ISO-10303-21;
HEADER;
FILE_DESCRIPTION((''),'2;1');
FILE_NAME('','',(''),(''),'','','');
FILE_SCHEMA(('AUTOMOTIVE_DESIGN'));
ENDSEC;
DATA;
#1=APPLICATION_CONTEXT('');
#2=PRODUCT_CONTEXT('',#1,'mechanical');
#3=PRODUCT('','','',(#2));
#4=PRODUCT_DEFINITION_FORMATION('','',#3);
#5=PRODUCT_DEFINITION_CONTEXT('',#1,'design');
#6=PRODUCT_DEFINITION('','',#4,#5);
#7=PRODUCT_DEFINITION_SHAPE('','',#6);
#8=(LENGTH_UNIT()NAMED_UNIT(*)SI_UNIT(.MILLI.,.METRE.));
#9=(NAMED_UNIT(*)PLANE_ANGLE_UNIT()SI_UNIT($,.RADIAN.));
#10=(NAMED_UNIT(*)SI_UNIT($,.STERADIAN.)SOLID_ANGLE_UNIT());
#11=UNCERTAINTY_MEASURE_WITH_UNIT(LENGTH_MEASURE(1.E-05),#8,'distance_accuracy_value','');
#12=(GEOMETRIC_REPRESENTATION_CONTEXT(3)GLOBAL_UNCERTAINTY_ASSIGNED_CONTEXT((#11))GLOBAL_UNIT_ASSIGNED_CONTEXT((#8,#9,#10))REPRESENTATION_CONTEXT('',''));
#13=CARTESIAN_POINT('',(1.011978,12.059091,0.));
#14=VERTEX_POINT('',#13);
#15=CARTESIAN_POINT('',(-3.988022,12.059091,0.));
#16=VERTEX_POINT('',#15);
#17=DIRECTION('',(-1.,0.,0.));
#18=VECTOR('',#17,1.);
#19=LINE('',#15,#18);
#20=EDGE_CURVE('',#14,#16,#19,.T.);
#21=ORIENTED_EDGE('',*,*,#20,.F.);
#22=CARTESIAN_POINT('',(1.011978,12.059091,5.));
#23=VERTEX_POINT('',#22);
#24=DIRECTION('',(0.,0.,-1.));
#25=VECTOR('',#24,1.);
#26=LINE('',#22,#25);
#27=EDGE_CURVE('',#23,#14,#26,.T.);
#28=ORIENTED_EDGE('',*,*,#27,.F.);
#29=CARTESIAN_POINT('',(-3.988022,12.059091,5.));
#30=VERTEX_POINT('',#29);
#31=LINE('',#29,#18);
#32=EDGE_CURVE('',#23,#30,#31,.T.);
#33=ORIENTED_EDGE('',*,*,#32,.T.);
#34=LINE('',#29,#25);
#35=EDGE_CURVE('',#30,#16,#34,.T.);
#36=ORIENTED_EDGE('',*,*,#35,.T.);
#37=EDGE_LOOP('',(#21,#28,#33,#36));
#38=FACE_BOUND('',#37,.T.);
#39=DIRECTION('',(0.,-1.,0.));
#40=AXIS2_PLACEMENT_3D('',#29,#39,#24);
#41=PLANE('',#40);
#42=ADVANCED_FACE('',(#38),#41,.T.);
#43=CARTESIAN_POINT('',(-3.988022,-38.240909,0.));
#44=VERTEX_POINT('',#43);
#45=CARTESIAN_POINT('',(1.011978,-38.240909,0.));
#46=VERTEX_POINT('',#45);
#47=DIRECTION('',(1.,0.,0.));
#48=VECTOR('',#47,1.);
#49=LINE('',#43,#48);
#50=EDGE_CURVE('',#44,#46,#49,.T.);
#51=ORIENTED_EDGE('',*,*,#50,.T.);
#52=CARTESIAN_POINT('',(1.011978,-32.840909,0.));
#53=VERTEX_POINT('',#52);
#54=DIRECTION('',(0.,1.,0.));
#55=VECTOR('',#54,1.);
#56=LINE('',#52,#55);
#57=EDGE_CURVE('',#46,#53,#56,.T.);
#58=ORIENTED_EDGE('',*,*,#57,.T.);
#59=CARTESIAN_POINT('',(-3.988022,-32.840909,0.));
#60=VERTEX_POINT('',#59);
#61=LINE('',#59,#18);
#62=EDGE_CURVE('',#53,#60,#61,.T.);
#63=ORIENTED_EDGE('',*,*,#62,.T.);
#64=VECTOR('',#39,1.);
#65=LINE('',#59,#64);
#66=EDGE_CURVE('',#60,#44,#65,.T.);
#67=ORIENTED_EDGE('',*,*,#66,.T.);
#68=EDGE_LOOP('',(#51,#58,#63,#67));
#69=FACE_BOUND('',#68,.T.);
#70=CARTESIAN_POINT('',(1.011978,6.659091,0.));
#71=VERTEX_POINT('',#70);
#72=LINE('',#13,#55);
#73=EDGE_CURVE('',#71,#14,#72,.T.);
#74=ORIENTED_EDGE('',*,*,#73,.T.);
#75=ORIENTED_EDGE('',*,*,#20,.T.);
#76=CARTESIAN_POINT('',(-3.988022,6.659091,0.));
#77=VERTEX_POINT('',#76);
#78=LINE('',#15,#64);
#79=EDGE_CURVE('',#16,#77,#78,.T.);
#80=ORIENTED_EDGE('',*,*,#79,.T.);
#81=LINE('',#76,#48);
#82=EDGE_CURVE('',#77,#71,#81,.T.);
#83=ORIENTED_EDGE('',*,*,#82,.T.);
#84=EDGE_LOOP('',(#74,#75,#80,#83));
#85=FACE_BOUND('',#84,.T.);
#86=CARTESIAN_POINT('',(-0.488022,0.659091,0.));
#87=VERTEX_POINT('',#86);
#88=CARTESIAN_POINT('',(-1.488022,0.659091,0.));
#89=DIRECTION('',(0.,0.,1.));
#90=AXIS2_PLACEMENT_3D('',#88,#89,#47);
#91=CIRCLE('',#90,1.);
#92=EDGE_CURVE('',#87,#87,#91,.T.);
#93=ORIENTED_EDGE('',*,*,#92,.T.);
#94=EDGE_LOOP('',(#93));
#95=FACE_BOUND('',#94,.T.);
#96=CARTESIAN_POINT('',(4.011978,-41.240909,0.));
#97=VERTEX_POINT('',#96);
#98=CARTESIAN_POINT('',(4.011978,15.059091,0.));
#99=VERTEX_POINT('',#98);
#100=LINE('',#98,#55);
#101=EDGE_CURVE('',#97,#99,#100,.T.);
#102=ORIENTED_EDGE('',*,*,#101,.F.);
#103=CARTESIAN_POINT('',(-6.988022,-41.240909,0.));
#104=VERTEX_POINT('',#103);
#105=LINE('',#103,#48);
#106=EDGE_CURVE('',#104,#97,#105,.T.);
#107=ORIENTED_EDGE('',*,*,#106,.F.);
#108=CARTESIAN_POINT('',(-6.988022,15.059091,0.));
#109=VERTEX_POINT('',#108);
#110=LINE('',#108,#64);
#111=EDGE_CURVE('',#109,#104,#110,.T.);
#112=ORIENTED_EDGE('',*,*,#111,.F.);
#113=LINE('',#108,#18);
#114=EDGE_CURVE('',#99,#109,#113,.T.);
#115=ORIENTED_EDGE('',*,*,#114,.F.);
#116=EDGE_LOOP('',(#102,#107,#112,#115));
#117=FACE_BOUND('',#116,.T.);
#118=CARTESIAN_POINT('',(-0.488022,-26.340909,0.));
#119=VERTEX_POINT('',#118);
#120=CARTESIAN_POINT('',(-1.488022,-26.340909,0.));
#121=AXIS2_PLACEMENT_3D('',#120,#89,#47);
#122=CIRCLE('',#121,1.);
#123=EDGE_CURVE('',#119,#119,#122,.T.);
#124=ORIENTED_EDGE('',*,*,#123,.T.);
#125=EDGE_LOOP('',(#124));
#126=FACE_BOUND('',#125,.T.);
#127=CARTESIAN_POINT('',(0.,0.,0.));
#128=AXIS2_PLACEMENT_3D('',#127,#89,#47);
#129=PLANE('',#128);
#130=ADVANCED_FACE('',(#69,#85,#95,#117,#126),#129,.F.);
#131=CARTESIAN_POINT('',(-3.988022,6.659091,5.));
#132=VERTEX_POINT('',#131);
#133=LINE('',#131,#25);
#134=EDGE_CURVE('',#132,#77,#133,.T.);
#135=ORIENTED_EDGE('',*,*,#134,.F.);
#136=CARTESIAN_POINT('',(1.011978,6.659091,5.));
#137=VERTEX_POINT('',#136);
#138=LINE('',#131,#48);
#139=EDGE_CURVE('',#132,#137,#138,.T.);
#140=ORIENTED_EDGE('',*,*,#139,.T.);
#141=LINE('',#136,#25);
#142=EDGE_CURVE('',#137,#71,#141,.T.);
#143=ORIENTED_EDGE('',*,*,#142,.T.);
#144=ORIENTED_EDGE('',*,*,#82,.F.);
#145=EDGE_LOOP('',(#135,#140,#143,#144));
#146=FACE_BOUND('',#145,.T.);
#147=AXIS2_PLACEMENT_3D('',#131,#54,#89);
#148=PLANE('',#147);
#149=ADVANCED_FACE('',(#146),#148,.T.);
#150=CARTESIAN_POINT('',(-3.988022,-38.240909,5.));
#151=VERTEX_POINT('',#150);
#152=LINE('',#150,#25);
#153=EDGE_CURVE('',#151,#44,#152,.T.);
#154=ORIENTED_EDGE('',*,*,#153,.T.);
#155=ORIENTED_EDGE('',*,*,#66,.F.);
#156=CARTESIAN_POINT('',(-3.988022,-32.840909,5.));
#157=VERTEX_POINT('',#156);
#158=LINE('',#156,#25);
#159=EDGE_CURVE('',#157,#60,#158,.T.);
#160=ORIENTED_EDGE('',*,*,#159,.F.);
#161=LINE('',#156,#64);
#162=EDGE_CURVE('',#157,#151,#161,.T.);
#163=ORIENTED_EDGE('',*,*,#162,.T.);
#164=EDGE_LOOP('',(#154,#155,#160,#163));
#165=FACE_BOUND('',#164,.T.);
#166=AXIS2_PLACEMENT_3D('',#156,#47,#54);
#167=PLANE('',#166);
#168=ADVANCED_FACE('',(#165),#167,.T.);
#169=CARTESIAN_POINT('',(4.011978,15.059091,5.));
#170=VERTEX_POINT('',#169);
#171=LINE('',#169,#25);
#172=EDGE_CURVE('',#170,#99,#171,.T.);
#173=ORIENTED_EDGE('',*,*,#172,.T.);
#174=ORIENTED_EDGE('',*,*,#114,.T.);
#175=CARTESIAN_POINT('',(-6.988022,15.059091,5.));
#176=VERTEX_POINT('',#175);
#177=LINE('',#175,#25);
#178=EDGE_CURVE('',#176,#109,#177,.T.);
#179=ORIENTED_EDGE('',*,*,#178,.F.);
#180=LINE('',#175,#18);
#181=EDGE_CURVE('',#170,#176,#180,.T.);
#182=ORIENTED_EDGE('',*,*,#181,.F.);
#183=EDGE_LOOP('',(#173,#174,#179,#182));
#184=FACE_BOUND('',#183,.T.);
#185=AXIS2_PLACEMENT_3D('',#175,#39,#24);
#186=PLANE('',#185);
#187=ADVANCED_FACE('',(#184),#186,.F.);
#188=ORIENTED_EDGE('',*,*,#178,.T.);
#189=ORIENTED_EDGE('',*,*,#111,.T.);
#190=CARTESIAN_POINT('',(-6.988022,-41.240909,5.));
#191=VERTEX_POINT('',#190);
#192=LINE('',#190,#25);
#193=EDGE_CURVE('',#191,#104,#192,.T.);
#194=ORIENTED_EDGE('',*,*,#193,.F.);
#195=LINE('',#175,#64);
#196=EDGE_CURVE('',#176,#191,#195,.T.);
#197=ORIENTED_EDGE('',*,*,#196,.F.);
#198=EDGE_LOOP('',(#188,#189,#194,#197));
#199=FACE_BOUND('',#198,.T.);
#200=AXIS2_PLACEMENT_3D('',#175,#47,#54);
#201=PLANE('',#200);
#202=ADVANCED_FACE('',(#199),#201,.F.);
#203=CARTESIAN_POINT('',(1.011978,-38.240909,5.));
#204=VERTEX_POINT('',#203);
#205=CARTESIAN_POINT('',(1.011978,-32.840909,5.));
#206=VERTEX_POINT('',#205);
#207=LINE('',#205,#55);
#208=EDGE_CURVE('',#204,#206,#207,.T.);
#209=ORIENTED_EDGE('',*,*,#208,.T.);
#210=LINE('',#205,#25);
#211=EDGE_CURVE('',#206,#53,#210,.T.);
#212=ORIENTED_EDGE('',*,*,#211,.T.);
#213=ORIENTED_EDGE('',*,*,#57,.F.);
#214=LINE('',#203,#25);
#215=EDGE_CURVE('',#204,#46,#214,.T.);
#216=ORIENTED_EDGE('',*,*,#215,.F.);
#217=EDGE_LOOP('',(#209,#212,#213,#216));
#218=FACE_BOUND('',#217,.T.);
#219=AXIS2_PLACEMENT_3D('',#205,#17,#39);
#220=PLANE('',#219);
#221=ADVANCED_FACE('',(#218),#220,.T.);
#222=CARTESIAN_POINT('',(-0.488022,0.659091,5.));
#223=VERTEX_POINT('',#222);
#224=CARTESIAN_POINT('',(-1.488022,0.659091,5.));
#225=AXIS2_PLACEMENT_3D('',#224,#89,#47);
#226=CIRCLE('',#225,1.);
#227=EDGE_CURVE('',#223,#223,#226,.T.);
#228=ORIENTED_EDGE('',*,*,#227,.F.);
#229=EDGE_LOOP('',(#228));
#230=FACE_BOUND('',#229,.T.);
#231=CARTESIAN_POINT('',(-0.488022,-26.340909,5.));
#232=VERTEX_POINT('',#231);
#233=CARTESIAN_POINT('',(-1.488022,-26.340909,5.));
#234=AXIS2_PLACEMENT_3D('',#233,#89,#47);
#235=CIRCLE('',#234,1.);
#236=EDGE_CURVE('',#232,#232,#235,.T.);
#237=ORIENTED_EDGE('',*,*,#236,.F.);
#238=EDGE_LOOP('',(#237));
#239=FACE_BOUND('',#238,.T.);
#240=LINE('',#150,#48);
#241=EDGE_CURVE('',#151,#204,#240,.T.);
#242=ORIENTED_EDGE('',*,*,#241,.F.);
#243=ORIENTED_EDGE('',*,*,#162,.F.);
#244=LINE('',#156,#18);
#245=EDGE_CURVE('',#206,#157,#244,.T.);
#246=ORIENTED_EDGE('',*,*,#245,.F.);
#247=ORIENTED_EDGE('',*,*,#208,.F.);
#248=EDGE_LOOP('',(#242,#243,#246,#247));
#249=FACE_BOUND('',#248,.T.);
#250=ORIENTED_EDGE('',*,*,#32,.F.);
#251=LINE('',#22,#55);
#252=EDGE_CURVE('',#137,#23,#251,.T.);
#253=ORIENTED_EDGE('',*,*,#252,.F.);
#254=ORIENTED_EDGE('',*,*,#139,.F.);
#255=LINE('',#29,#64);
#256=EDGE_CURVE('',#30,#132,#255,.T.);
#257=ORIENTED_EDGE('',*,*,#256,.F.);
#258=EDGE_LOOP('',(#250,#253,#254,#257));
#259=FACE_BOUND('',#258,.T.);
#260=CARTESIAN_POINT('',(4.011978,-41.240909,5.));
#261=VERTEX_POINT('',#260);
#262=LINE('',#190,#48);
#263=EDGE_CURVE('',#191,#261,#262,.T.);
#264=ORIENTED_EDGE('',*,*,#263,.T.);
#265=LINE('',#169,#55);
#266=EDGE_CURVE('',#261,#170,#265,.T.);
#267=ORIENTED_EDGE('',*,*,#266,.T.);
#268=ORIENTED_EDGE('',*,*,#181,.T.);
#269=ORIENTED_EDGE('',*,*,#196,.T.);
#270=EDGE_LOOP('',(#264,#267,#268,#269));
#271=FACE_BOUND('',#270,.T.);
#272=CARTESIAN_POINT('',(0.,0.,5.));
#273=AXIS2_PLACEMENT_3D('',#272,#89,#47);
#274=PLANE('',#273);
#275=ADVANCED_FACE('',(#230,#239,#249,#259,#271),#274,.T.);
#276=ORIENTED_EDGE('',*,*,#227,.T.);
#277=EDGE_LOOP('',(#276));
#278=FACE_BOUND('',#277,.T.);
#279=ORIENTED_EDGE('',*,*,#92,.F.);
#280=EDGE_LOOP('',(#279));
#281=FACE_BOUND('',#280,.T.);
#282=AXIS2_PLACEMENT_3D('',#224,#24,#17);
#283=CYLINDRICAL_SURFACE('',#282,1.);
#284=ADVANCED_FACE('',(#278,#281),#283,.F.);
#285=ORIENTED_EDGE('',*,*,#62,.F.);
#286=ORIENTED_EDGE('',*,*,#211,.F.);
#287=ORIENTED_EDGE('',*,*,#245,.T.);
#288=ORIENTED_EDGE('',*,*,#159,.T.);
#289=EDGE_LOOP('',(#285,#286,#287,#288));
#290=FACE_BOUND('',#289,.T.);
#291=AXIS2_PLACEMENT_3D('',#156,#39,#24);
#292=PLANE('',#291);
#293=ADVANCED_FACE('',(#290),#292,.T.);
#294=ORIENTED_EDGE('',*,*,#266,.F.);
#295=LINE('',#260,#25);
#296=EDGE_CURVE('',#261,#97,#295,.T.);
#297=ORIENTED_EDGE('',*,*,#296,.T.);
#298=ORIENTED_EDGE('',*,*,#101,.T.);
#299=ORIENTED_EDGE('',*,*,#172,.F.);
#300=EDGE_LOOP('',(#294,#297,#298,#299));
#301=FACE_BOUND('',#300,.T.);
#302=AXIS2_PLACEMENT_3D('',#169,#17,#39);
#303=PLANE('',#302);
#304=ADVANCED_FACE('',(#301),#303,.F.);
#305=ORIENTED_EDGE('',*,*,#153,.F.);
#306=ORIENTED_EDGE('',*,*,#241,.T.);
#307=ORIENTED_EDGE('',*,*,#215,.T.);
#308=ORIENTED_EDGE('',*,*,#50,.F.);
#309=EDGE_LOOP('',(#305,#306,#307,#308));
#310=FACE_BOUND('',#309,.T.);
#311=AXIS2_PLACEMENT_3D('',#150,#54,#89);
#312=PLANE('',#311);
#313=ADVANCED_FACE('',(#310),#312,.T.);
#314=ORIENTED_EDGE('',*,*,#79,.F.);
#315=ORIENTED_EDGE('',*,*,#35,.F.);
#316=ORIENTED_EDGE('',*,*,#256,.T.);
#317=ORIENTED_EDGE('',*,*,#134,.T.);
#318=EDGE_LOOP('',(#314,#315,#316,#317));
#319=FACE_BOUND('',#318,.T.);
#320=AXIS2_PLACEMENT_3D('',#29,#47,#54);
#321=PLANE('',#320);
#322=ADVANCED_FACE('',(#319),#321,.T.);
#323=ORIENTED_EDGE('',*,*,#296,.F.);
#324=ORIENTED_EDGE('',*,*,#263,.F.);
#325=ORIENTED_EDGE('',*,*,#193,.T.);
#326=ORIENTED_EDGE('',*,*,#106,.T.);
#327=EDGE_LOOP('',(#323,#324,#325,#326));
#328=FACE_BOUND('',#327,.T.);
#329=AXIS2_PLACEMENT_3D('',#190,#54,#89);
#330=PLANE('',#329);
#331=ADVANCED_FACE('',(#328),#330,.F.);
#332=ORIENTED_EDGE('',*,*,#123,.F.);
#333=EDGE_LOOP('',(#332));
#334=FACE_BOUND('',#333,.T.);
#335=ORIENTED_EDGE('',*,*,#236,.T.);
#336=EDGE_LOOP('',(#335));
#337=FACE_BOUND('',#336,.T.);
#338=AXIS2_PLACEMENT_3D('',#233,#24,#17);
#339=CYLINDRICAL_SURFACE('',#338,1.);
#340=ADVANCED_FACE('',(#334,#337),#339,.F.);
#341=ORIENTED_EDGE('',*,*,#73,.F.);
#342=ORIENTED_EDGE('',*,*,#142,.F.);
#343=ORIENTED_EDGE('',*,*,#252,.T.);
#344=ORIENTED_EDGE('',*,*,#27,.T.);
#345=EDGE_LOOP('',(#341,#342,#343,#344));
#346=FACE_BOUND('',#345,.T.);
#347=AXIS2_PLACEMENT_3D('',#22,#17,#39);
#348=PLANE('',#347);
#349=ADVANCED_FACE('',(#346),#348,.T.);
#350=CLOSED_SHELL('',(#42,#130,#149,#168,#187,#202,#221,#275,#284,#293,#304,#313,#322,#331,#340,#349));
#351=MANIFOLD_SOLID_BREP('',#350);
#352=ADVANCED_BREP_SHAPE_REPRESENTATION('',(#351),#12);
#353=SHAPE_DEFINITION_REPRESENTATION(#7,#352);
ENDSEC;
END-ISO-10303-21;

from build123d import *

# Parameters (mm, degrees)
ESQUISSE1_W        = 11
ESQUISSE1_H        = 56.3
ESQUISSE1_R        = 1
ESQUISSE1_W_2      = 5
ESQUISSE1_H_2      = 5.4
BOSS_EXTRU_1_DEPTH = 5


with BuildPart() as part:
    # Esquisse1 → Boss.-Extru.1 (new body)
    with BuildSketch(Plane.XY):
        with Locations((-1.488022113, -13.090909091)):
            Rectangle(ESQUISSE1_W, ESQUISSE1_H)
        with Locations((-1.488022113, 0.659090909)):
            Circle(ESQUISSE1_R, mode=Mode.SUBTRACT)
        with Locations((-1.488022113, -26.340909091)):
            Circle(ESQUISSE1_R, mode=Mode.SUBTRACT)
        with Locations((-1.488022113, 9.359090909)):
            Rectangle(ESQUISSE1_W_2, ESQUISSE1_H_2, mode=Mode.SUBTRACT)
        with Locations((-1.488022113, -35.540909091)):
            Rectangle(ESQUISSE1_W_2, ESQUISSE1_H_2, mode=Mode.SUBTRACT)
    extrude(amount=BOSS_EXTRU_1_DEPTH)


solid = part.part
